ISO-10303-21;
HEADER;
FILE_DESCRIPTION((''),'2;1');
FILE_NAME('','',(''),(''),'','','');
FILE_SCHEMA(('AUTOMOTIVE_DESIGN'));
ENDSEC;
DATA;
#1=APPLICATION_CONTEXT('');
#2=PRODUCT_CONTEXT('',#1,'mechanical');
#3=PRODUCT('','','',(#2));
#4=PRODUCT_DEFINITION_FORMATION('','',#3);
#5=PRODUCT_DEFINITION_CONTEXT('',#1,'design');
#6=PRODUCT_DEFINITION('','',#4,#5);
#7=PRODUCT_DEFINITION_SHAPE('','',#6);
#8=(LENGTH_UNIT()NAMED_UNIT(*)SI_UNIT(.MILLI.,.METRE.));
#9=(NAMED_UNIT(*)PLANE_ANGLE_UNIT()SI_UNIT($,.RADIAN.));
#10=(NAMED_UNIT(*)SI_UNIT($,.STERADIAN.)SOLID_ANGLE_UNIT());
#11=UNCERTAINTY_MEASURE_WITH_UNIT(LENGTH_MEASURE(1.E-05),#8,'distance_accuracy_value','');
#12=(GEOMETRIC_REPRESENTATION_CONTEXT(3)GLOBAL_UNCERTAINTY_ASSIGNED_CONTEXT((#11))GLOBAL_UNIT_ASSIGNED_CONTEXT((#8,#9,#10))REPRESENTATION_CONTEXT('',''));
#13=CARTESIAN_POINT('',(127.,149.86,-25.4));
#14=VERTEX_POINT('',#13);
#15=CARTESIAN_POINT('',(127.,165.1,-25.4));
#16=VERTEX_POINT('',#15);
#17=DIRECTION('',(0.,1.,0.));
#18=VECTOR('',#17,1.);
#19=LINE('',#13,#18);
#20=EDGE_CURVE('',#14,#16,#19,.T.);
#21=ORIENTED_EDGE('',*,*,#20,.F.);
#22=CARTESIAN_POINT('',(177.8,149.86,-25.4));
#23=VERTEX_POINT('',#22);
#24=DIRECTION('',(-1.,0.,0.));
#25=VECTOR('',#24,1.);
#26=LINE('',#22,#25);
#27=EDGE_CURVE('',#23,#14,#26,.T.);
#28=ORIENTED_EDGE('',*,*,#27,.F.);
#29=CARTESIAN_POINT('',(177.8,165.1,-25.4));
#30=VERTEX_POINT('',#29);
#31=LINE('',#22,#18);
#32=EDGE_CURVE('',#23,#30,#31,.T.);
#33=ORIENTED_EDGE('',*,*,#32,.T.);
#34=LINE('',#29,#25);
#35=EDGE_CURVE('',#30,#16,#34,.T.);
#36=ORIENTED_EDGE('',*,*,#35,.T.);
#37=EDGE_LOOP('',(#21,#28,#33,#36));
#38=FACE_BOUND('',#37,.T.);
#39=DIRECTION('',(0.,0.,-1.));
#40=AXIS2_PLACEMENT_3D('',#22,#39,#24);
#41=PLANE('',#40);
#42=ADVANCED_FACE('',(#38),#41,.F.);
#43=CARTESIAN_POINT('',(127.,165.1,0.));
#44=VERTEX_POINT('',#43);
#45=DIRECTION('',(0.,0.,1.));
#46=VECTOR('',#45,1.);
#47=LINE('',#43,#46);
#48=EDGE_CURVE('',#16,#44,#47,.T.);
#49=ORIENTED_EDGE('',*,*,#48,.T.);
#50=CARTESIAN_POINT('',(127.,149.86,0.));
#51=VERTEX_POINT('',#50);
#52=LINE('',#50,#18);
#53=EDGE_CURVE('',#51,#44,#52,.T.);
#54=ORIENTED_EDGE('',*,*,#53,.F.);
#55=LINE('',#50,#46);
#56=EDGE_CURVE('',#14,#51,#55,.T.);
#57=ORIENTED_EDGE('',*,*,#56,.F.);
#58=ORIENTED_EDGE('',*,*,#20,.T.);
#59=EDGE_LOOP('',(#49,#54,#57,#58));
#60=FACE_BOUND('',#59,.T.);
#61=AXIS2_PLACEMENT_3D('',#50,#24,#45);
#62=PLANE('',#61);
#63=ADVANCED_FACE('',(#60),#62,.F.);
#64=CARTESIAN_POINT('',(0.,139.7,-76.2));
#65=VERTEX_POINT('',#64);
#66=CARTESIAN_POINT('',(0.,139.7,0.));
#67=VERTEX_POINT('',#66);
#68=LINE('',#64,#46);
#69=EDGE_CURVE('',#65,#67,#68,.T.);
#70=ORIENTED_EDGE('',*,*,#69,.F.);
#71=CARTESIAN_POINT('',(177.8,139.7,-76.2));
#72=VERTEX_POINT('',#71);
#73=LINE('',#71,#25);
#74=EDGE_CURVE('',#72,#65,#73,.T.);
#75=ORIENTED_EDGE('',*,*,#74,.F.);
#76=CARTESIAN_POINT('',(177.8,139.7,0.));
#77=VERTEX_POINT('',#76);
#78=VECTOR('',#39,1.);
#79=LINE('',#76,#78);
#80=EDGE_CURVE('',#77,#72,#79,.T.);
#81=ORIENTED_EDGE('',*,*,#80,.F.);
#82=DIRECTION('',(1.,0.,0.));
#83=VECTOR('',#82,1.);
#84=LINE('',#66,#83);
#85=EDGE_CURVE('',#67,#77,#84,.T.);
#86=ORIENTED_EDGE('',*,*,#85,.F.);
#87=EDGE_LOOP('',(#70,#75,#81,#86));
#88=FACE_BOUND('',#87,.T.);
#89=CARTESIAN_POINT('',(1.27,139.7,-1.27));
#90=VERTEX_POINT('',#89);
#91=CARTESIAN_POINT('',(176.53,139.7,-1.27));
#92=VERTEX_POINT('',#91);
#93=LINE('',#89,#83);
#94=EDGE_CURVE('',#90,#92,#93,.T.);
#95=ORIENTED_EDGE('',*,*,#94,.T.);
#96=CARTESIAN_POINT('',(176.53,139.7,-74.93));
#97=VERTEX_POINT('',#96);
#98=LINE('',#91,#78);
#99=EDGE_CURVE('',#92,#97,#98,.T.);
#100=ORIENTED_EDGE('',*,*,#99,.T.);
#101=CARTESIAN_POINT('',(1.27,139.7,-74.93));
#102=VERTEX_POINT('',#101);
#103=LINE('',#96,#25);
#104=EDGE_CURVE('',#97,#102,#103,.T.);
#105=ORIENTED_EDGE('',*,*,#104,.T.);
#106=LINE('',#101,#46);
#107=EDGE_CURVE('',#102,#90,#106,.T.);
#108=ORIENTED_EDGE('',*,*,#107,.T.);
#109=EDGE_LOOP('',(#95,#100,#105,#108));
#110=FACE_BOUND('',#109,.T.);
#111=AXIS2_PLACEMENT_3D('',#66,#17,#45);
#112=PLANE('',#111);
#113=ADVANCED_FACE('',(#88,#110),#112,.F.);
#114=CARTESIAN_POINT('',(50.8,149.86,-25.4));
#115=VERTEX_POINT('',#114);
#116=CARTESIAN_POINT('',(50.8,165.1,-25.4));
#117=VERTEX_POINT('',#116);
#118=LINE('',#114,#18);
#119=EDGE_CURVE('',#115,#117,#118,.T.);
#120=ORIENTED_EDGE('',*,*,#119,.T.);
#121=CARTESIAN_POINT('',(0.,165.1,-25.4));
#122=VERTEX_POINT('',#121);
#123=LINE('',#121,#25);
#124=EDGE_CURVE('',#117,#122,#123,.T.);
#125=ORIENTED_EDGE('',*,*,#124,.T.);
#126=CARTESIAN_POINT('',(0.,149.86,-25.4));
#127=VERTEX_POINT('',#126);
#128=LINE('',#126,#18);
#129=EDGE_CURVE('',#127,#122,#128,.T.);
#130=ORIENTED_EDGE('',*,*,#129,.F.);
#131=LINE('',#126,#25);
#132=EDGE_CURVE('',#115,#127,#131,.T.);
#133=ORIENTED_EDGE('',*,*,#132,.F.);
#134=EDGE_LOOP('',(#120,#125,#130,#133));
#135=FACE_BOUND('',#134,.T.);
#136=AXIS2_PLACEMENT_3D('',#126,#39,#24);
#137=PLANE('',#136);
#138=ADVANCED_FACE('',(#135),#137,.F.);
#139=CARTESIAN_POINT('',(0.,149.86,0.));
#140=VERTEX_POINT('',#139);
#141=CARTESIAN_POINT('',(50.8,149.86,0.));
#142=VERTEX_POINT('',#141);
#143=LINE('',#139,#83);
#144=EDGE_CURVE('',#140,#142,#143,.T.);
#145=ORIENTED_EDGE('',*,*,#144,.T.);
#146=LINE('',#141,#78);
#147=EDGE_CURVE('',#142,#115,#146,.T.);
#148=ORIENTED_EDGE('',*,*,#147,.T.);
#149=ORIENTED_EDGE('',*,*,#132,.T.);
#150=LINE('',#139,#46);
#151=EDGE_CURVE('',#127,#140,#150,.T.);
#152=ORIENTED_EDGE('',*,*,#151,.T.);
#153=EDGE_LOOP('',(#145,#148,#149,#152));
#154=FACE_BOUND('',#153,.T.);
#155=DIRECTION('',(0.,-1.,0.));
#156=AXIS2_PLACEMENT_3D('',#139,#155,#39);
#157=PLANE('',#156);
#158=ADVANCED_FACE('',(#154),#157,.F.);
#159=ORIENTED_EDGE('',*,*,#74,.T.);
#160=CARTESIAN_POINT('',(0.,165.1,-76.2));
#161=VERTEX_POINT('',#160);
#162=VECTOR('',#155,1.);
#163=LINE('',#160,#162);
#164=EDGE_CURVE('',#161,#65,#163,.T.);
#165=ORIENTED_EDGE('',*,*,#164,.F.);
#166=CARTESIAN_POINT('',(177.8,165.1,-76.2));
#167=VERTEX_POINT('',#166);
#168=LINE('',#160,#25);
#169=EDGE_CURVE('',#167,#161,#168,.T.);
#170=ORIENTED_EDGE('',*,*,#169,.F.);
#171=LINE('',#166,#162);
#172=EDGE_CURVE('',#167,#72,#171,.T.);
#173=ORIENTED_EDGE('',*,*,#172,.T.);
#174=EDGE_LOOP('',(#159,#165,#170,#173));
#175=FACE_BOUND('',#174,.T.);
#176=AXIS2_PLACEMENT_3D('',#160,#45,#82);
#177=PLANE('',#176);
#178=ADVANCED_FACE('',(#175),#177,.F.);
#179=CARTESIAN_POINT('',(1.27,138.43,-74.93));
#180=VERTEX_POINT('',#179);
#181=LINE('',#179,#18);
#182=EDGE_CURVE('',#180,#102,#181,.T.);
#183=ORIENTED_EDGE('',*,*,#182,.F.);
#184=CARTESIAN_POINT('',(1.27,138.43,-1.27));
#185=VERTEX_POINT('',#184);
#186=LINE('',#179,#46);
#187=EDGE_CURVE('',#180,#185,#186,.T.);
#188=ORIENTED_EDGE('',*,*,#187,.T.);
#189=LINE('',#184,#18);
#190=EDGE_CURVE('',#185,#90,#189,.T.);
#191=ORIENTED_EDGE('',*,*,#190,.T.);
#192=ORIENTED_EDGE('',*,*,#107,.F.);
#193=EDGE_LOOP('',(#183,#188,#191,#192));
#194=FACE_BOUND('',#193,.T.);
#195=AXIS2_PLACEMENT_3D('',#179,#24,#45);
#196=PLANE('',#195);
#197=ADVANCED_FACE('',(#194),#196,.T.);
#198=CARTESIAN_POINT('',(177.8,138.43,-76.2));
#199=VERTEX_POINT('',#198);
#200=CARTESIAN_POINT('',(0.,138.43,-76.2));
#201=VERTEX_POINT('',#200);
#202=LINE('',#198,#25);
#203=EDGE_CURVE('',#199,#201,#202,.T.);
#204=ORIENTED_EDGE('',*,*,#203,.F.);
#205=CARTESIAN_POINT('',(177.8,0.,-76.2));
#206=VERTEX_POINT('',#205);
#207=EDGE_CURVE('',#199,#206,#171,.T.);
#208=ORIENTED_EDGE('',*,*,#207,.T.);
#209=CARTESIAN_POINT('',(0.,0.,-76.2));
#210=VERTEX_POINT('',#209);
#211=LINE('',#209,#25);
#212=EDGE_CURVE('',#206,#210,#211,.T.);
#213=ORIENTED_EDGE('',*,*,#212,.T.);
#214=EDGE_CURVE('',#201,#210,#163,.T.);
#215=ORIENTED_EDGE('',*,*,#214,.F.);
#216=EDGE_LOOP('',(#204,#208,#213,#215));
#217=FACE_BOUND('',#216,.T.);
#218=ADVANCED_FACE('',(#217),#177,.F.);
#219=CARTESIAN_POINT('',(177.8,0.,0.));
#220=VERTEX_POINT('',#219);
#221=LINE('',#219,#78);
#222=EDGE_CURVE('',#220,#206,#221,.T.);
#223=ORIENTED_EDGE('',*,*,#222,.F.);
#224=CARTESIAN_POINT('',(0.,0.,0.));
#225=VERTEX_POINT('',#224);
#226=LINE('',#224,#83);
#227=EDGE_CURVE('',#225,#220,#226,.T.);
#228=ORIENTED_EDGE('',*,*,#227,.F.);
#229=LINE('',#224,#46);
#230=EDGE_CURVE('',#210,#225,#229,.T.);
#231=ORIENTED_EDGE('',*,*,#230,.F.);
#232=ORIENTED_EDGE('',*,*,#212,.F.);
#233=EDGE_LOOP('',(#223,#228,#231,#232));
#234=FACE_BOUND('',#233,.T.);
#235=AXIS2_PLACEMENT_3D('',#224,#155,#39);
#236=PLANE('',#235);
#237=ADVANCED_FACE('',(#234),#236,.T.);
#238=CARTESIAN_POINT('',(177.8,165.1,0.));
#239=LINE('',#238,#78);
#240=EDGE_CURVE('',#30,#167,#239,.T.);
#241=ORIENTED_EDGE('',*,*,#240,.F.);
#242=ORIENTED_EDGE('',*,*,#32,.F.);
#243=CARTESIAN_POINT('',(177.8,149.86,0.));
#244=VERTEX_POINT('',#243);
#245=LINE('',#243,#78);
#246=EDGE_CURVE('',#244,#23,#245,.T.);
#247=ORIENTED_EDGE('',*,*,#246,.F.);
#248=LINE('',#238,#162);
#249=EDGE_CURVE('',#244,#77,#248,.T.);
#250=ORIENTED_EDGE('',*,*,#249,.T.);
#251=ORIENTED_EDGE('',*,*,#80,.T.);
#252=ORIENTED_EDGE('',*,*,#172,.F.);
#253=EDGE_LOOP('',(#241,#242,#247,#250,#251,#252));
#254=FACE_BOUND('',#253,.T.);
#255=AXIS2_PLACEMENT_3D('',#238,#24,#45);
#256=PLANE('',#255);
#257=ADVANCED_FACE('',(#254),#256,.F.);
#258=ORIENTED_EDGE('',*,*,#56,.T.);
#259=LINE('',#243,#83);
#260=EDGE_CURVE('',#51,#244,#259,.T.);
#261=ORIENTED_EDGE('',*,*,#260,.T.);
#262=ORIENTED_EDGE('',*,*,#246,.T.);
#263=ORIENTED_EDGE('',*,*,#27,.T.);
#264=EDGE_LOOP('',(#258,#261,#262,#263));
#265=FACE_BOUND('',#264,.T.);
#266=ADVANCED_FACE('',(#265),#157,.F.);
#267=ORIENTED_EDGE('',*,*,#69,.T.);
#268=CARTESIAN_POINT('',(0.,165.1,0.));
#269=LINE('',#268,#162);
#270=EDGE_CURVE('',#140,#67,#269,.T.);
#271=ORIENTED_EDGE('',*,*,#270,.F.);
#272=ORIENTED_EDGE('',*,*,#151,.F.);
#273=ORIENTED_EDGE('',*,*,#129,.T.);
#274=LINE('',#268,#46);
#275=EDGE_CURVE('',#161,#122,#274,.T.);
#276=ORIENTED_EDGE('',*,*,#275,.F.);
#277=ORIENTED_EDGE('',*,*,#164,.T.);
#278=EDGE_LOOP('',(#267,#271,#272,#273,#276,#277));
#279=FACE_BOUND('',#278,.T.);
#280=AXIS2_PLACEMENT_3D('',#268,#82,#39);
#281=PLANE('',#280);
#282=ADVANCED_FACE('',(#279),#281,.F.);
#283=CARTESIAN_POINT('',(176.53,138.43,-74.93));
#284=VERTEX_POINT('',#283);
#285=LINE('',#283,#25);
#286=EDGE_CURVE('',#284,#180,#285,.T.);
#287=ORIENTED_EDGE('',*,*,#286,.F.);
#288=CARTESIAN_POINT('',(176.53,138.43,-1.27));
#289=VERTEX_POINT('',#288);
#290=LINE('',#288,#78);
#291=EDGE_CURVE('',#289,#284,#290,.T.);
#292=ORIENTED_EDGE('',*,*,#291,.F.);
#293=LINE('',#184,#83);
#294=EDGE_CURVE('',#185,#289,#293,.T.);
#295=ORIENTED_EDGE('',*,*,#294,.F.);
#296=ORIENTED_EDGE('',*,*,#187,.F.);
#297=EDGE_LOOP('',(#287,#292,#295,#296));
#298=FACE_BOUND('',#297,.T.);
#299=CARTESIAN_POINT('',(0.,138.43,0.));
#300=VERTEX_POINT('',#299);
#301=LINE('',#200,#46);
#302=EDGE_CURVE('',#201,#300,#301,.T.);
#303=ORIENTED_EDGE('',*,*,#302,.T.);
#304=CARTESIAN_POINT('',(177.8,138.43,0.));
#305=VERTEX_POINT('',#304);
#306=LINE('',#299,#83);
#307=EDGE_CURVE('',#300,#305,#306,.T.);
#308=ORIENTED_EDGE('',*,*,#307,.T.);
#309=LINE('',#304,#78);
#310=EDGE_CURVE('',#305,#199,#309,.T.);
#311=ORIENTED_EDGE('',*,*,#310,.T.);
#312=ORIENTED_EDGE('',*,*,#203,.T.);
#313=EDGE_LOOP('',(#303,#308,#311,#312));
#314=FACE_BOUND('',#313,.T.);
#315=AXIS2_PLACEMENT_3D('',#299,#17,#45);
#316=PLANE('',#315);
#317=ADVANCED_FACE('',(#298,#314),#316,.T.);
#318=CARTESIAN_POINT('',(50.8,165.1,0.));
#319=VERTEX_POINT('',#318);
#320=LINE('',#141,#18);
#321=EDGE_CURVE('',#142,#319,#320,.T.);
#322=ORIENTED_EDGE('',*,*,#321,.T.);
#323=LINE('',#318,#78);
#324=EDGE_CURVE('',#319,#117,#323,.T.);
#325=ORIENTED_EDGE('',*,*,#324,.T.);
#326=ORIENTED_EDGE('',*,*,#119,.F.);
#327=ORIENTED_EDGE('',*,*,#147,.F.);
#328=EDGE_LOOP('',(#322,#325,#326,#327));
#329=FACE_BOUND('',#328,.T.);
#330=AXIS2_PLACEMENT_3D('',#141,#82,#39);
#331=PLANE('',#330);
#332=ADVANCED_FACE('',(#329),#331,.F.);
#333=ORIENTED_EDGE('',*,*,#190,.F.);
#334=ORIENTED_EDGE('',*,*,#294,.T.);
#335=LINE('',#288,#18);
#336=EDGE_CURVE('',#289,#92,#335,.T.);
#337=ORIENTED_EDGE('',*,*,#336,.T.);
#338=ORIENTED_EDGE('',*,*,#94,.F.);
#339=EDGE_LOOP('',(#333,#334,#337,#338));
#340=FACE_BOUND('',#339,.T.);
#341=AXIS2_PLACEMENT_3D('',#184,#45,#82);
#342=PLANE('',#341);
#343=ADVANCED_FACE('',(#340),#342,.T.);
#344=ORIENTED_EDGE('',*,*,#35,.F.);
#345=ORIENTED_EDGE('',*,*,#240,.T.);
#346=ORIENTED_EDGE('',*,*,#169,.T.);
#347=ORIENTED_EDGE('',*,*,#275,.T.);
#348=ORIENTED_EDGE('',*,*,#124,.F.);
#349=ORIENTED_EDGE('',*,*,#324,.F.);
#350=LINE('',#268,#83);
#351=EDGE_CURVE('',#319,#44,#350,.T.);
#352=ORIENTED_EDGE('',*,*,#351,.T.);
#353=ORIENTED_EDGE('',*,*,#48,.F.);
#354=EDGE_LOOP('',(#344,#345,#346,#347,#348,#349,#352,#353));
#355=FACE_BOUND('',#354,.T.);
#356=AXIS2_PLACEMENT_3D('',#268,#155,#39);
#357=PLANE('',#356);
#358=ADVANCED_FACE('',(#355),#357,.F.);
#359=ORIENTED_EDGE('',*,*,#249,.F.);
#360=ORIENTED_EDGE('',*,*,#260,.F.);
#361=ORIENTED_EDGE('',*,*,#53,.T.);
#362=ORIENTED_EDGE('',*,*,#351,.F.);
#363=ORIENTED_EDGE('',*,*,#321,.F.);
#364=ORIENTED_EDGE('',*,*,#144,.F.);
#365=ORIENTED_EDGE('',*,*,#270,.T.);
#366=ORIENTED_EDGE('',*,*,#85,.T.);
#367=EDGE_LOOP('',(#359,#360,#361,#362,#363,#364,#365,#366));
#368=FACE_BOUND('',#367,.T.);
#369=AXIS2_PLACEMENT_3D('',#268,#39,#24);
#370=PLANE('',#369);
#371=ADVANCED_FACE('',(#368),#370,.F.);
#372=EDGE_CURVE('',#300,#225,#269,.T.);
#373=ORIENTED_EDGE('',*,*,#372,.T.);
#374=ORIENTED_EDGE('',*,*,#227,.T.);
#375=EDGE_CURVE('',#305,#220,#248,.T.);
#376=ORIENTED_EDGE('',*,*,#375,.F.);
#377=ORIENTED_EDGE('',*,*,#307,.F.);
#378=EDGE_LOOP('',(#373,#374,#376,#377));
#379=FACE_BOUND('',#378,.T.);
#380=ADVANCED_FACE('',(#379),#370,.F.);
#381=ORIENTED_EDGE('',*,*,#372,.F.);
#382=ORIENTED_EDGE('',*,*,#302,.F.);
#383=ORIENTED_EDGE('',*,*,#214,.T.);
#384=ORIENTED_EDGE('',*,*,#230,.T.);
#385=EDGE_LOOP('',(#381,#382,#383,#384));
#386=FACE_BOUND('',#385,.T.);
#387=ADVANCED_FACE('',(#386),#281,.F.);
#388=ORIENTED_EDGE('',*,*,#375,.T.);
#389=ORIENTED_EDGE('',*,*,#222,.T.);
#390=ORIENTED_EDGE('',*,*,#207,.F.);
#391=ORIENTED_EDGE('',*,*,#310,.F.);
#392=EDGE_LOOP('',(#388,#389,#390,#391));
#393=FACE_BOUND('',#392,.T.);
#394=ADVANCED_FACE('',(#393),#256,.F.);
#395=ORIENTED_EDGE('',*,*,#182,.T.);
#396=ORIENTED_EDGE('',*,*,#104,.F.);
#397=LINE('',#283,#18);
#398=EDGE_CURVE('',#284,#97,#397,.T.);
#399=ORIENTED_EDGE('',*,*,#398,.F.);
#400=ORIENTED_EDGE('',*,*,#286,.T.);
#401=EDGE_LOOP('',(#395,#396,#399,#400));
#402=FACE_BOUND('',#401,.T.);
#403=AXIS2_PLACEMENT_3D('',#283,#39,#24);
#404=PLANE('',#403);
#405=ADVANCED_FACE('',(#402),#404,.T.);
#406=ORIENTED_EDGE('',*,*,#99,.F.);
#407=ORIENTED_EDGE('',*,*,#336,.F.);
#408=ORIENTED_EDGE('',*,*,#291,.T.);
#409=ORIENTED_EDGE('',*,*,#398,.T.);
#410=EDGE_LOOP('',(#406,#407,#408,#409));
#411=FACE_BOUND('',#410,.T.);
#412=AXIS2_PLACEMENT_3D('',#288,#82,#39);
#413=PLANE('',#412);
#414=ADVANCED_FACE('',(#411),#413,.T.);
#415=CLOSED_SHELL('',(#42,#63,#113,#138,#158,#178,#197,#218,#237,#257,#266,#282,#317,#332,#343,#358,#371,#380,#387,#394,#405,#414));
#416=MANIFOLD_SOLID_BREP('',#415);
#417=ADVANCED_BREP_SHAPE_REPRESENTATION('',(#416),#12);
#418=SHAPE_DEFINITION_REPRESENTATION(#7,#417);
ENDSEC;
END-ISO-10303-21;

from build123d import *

# Parameters (mm, degrees)
SKETCH1_W           = 177.8
SKETCH1_H           = 76.2
BOSS_EXTRUDE1_DEPTH = 165.1
SKETCH2_W           = 50.8
SKETCH2_H           = 25.4
CUT_EXTRUDE1_DEPTH  = 15.24
SKETCH3_W           = 177.8
SKETCH3_H           = 76.2
SKETCH3_W_2         = 175.26
SKETCH3_H_2         = 73.66
CUT_EXTRUDE2_DEPTH  = 1.27


with BuildPart() as part:
    # Sketch1 → Boss-Extrude1 (new body)
    with BuildSketch(Plane(origin=(0, 0, 0), x_dir=(1, 0, 0), z_dir=(0, 1, 0))):
        with Locations((88.9, 38.1)):
            Rectangle(SKETCH1_W, SKETCH1_H)
    extrude(amount=BOSS_EXTRUDE1_DEPTH)

    # Sketch2 → Cut-Extrude1 (cut)
    with BuildSketch(Plane(origin=(0, 165.1, 0), x_dir=(1, 0, 0), z_dir=(0, 1, 0))):
        with Locations((25.4, 12.7)):
            Rectangle(SKETCH2_W, SKETCH2_H)
        with Locations((152.4, 12.7)):
            Rectangle(SKETCH2_W, SKETCH2_H)
    extrude(amount=-CUT_EXTRUDE1_DEPTH, mode=Mode.SUBTRACT)

    # Sketch3 → Cut-Extrude2 (cut)
    with BuildSketch(Plane(origin=(0, 139.7, 0), x_dir=(1, 0, 0), z_dir=(0, 1, 0))):
        with Locations((88.9, 38.1)):
            Rectangle(SKETCH3_W, SKETCH3_H)
        with Locations((88.9, 38.1)):
            Rectangle(SKETCH3_W_2, SKETCH3_H_2, mode=Mode.SUBTRACT)
    extrude(amount=-CUT_EXTRUDE2_DEPTH, mode=Mode.SUBTRACT)


solid = part.part
